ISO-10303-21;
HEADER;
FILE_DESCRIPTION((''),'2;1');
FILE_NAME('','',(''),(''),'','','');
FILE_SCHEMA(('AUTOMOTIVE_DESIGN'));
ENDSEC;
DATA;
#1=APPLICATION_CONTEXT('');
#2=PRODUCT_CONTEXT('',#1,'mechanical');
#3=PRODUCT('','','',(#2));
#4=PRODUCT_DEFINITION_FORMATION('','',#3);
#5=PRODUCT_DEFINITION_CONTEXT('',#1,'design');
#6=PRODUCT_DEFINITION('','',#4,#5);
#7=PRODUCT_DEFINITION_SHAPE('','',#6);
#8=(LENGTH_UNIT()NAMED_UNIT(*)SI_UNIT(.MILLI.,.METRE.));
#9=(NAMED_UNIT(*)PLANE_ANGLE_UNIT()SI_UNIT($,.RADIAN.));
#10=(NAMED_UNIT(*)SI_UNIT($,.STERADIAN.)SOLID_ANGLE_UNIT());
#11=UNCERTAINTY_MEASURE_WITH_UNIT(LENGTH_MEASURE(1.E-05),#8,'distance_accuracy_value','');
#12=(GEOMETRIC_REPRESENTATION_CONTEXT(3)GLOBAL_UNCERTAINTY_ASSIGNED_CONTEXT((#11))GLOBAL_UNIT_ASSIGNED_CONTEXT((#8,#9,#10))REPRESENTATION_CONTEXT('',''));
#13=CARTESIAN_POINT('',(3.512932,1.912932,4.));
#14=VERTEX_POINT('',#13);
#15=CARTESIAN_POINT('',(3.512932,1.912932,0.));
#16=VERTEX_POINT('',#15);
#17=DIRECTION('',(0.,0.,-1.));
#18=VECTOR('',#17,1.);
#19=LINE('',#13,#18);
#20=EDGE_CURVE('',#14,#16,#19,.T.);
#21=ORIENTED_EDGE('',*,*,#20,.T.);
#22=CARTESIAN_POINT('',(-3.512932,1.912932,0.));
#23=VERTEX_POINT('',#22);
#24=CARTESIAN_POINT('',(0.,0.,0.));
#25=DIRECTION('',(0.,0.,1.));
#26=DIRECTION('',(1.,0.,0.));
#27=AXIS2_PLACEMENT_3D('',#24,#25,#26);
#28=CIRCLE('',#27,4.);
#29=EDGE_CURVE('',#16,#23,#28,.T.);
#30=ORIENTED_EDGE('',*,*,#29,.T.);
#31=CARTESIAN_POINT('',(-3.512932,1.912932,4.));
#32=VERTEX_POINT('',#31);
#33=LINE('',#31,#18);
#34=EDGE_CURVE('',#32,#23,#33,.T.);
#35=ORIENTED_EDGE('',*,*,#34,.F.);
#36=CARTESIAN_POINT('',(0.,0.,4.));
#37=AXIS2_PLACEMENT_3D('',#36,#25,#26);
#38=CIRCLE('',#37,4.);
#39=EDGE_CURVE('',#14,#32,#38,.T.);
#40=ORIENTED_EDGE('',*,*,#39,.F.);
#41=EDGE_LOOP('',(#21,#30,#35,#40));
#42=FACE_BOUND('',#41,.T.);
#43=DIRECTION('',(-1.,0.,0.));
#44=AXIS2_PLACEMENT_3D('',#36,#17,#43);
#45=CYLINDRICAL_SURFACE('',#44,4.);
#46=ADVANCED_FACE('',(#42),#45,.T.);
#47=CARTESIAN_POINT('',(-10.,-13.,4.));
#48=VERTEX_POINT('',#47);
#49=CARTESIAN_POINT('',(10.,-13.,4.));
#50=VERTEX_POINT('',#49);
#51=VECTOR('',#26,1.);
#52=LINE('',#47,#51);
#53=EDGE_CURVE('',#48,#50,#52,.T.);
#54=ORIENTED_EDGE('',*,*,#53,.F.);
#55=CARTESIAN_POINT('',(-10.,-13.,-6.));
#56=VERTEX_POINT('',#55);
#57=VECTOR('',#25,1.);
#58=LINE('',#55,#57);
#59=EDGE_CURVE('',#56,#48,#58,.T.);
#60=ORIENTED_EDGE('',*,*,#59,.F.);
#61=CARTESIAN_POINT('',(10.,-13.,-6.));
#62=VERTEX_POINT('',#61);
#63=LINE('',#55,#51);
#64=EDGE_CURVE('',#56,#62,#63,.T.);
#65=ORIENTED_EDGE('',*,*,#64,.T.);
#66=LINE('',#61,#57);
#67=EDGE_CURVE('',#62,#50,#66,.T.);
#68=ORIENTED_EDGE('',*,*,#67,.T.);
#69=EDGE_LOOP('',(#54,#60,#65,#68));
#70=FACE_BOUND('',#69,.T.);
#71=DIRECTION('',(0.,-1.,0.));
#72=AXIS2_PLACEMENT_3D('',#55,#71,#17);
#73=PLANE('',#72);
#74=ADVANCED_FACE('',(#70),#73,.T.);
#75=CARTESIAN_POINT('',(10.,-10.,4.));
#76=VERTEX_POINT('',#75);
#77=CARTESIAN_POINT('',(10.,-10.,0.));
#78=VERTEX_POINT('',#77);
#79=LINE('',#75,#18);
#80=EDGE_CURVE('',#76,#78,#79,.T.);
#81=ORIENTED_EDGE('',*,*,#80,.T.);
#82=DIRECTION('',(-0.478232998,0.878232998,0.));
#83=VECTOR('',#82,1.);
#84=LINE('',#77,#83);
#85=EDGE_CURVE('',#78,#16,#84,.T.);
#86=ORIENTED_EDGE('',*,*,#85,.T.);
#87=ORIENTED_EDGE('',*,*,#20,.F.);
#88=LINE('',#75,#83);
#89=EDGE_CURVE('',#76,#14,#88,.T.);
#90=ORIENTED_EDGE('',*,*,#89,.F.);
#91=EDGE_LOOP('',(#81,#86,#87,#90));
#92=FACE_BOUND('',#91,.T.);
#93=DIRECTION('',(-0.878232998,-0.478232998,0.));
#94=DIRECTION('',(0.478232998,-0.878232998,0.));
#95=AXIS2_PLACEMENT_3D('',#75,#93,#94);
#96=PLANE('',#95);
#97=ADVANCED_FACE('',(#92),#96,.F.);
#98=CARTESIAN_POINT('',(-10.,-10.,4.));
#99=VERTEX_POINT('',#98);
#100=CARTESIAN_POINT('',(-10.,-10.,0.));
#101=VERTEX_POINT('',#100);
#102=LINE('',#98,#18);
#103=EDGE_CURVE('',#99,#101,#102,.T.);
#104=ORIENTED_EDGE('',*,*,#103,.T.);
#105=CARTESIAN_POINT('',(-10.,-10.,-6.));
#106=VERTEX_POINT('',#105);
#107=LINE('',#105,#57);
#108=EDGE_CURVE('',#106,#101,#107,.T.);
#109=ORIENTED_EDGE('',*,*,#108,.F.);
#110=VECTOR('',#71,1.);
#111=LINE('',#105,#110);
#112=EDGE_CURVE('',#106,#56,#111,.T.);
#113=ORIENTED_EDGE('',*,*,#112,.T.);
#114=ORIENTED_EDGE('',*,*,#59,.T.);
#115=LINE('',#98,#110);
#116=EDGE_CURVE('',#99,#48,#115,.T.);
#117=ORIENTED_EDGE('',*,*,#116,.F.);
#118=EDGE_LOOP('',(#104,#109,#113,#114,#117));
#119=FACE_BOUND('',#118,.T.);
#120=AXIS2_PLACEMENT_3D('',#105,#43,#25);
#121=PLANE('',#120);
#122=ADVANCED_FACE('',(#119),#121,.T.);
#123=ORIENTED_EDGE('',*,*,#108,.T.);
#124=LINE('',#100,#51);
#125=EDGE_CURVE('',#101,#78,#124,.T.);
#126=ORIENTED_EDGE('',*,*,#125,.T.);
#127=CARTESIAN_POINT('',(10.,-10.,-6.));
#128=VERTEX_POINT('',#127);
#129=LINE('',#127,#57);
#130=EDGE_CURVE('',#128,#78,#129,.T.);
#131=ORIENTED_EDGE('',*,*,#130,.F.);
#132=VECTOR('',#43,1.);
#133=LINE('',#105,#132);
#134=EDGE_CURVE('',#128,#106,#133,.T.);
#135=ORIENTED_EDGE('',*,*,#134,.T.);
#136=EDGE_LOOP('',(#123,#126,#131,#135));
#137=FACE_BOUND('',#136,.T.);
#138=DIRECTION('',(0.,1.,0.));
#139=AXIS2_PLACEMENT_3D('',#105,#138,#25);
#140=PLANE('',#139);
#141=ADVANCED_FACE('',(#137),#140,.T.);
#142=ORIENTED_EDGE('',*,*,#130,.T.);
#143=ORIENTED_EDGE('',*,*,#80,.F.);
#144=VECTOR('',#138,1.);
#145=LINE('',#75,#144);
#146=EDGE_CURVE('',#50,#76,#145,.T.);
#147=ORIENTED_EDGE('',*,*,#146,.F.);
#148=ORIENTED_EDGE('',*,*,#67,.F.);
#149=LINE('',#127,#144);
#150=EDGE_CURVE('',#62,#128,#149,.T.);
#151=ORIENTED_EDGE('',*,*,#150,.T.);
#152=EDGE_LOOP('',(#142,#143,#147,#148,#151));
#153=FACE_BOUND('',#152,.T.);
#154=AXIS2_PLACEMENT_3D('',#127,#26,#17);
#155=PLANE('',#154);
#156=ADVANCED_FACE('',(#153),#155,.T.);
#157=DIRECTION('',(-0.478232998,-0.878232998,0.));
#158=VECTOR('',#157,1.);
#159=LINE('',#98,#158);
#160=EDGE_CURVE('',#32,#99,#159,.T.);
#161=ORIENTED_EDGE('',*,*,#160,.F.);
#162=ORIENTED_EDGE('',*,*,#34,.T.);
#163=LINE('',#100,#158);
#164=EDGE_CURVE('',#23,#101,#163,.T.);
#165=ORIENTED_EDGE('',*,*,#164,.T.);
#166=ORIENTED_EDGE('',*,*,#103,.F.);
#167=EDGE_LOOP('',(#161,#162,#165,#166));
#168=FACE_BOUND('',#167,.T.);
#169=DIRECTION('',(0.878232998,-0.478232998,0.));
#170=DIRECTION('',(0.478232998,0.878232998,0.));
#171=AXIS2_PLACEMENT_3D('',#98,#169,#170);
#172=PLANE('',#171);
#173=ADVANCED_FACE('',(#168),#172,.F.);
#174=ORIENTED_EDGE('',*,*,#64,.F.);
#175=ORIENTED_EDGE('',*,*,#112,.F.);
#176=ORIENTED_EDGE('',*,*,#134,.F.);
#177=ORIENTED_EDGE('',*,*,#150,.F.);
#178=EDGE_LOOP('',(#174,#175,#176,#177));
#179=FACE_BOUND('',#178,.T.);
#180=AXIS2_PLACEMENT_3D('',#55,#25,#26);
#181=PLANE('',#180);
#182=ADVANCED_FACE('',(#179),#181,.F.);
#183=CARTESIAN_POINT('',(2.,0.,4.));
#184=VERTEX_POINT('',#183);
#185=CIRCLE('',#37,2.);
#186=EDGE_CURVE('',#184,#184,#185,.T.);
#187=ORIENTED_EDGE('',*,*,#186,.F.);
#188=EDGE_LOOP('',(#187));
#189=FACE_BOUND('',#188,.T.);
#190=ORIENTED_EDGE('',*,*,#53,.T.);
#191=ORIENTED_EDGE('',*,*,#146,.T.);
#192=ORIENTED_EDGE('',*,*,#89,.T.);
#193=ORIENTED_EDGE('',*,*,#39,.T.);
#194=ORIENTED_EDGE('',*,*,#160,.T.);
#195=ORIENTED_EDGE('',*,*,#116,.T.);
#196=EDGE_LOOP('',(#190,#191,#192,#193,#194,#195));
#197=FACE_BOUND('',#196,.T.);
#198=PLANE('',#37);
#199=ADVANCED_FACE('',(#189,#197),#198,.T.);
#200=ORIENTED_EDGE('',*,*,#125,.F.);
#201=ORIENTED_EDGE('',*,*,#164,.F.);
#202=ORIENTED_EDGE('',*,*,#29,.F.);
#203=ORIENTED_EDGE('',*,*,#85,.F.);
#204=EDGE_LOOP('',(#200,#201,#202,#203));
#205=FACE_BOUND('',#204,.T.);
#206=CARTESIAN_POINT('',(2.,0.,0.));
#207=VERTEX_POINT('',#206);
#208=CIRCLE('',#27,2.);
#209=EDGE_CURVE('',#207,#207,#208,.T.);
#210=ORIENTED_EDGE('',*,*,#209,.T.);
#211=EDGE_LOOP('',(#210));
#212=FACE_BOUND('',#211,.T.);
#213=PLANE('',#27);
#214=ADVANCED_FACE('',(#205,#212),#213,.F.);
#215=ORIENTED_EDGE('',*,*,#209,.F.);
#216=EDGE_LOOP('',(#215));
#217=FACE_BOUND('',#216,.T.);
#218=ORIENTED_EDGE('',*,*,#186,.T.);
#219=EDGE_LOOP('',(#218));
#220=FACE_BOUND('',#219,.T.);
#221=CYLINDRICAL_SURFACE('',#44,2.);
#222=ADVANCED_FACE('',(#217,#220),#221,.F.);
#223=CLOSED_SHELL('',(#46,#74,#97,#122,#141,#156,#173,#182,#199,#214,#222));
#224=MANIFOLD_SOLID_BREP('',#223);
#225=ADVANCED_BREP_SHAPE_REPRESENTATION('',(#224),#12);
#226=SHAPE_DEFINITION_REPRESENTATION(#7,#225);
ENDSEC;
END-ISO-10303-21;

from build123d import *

# Parameters (mm, degrees)
SKETCH_1_R      = 2
EXTRUDE_1_DEPTH = 4
SKETCH_2_W      = 20
SKETCH_2_H      = 3
EXTRUDE_2_DEPTH = 10


with BuildPart() as part:
    # 草图1 → 凸台-拉伸1 (new body)
    with BuildSketch(Plane.XY):
        with BuildLine():
            Line((-10, -10), (10, -10))
            Line((10, -10), (3.512931993, 1.912931993))
            ThreePointArc((3.512931993, 1.912931993), (0, 4), (-3.512931993, 1.912931993))
            Line((-3.512931993, 1.912931993), (-10, -10))
        make_face()
        Circle(SKETCH_1_R, mode=Mode.SUBTRACT)
    extrude(amount=EXTRUDE_1_DEPTH)

    # 草图2 → 凸台-拉伸2 (add)
    with BuildSketch(Plane.XY.offset(4)):
        with Locations((0, -11.5)):
            Rectangle(SKETCH_2_W, SKETCH_2_H)
    extrude(amount=-EXTRUDE_2_DEPTH)


solid = part.part
